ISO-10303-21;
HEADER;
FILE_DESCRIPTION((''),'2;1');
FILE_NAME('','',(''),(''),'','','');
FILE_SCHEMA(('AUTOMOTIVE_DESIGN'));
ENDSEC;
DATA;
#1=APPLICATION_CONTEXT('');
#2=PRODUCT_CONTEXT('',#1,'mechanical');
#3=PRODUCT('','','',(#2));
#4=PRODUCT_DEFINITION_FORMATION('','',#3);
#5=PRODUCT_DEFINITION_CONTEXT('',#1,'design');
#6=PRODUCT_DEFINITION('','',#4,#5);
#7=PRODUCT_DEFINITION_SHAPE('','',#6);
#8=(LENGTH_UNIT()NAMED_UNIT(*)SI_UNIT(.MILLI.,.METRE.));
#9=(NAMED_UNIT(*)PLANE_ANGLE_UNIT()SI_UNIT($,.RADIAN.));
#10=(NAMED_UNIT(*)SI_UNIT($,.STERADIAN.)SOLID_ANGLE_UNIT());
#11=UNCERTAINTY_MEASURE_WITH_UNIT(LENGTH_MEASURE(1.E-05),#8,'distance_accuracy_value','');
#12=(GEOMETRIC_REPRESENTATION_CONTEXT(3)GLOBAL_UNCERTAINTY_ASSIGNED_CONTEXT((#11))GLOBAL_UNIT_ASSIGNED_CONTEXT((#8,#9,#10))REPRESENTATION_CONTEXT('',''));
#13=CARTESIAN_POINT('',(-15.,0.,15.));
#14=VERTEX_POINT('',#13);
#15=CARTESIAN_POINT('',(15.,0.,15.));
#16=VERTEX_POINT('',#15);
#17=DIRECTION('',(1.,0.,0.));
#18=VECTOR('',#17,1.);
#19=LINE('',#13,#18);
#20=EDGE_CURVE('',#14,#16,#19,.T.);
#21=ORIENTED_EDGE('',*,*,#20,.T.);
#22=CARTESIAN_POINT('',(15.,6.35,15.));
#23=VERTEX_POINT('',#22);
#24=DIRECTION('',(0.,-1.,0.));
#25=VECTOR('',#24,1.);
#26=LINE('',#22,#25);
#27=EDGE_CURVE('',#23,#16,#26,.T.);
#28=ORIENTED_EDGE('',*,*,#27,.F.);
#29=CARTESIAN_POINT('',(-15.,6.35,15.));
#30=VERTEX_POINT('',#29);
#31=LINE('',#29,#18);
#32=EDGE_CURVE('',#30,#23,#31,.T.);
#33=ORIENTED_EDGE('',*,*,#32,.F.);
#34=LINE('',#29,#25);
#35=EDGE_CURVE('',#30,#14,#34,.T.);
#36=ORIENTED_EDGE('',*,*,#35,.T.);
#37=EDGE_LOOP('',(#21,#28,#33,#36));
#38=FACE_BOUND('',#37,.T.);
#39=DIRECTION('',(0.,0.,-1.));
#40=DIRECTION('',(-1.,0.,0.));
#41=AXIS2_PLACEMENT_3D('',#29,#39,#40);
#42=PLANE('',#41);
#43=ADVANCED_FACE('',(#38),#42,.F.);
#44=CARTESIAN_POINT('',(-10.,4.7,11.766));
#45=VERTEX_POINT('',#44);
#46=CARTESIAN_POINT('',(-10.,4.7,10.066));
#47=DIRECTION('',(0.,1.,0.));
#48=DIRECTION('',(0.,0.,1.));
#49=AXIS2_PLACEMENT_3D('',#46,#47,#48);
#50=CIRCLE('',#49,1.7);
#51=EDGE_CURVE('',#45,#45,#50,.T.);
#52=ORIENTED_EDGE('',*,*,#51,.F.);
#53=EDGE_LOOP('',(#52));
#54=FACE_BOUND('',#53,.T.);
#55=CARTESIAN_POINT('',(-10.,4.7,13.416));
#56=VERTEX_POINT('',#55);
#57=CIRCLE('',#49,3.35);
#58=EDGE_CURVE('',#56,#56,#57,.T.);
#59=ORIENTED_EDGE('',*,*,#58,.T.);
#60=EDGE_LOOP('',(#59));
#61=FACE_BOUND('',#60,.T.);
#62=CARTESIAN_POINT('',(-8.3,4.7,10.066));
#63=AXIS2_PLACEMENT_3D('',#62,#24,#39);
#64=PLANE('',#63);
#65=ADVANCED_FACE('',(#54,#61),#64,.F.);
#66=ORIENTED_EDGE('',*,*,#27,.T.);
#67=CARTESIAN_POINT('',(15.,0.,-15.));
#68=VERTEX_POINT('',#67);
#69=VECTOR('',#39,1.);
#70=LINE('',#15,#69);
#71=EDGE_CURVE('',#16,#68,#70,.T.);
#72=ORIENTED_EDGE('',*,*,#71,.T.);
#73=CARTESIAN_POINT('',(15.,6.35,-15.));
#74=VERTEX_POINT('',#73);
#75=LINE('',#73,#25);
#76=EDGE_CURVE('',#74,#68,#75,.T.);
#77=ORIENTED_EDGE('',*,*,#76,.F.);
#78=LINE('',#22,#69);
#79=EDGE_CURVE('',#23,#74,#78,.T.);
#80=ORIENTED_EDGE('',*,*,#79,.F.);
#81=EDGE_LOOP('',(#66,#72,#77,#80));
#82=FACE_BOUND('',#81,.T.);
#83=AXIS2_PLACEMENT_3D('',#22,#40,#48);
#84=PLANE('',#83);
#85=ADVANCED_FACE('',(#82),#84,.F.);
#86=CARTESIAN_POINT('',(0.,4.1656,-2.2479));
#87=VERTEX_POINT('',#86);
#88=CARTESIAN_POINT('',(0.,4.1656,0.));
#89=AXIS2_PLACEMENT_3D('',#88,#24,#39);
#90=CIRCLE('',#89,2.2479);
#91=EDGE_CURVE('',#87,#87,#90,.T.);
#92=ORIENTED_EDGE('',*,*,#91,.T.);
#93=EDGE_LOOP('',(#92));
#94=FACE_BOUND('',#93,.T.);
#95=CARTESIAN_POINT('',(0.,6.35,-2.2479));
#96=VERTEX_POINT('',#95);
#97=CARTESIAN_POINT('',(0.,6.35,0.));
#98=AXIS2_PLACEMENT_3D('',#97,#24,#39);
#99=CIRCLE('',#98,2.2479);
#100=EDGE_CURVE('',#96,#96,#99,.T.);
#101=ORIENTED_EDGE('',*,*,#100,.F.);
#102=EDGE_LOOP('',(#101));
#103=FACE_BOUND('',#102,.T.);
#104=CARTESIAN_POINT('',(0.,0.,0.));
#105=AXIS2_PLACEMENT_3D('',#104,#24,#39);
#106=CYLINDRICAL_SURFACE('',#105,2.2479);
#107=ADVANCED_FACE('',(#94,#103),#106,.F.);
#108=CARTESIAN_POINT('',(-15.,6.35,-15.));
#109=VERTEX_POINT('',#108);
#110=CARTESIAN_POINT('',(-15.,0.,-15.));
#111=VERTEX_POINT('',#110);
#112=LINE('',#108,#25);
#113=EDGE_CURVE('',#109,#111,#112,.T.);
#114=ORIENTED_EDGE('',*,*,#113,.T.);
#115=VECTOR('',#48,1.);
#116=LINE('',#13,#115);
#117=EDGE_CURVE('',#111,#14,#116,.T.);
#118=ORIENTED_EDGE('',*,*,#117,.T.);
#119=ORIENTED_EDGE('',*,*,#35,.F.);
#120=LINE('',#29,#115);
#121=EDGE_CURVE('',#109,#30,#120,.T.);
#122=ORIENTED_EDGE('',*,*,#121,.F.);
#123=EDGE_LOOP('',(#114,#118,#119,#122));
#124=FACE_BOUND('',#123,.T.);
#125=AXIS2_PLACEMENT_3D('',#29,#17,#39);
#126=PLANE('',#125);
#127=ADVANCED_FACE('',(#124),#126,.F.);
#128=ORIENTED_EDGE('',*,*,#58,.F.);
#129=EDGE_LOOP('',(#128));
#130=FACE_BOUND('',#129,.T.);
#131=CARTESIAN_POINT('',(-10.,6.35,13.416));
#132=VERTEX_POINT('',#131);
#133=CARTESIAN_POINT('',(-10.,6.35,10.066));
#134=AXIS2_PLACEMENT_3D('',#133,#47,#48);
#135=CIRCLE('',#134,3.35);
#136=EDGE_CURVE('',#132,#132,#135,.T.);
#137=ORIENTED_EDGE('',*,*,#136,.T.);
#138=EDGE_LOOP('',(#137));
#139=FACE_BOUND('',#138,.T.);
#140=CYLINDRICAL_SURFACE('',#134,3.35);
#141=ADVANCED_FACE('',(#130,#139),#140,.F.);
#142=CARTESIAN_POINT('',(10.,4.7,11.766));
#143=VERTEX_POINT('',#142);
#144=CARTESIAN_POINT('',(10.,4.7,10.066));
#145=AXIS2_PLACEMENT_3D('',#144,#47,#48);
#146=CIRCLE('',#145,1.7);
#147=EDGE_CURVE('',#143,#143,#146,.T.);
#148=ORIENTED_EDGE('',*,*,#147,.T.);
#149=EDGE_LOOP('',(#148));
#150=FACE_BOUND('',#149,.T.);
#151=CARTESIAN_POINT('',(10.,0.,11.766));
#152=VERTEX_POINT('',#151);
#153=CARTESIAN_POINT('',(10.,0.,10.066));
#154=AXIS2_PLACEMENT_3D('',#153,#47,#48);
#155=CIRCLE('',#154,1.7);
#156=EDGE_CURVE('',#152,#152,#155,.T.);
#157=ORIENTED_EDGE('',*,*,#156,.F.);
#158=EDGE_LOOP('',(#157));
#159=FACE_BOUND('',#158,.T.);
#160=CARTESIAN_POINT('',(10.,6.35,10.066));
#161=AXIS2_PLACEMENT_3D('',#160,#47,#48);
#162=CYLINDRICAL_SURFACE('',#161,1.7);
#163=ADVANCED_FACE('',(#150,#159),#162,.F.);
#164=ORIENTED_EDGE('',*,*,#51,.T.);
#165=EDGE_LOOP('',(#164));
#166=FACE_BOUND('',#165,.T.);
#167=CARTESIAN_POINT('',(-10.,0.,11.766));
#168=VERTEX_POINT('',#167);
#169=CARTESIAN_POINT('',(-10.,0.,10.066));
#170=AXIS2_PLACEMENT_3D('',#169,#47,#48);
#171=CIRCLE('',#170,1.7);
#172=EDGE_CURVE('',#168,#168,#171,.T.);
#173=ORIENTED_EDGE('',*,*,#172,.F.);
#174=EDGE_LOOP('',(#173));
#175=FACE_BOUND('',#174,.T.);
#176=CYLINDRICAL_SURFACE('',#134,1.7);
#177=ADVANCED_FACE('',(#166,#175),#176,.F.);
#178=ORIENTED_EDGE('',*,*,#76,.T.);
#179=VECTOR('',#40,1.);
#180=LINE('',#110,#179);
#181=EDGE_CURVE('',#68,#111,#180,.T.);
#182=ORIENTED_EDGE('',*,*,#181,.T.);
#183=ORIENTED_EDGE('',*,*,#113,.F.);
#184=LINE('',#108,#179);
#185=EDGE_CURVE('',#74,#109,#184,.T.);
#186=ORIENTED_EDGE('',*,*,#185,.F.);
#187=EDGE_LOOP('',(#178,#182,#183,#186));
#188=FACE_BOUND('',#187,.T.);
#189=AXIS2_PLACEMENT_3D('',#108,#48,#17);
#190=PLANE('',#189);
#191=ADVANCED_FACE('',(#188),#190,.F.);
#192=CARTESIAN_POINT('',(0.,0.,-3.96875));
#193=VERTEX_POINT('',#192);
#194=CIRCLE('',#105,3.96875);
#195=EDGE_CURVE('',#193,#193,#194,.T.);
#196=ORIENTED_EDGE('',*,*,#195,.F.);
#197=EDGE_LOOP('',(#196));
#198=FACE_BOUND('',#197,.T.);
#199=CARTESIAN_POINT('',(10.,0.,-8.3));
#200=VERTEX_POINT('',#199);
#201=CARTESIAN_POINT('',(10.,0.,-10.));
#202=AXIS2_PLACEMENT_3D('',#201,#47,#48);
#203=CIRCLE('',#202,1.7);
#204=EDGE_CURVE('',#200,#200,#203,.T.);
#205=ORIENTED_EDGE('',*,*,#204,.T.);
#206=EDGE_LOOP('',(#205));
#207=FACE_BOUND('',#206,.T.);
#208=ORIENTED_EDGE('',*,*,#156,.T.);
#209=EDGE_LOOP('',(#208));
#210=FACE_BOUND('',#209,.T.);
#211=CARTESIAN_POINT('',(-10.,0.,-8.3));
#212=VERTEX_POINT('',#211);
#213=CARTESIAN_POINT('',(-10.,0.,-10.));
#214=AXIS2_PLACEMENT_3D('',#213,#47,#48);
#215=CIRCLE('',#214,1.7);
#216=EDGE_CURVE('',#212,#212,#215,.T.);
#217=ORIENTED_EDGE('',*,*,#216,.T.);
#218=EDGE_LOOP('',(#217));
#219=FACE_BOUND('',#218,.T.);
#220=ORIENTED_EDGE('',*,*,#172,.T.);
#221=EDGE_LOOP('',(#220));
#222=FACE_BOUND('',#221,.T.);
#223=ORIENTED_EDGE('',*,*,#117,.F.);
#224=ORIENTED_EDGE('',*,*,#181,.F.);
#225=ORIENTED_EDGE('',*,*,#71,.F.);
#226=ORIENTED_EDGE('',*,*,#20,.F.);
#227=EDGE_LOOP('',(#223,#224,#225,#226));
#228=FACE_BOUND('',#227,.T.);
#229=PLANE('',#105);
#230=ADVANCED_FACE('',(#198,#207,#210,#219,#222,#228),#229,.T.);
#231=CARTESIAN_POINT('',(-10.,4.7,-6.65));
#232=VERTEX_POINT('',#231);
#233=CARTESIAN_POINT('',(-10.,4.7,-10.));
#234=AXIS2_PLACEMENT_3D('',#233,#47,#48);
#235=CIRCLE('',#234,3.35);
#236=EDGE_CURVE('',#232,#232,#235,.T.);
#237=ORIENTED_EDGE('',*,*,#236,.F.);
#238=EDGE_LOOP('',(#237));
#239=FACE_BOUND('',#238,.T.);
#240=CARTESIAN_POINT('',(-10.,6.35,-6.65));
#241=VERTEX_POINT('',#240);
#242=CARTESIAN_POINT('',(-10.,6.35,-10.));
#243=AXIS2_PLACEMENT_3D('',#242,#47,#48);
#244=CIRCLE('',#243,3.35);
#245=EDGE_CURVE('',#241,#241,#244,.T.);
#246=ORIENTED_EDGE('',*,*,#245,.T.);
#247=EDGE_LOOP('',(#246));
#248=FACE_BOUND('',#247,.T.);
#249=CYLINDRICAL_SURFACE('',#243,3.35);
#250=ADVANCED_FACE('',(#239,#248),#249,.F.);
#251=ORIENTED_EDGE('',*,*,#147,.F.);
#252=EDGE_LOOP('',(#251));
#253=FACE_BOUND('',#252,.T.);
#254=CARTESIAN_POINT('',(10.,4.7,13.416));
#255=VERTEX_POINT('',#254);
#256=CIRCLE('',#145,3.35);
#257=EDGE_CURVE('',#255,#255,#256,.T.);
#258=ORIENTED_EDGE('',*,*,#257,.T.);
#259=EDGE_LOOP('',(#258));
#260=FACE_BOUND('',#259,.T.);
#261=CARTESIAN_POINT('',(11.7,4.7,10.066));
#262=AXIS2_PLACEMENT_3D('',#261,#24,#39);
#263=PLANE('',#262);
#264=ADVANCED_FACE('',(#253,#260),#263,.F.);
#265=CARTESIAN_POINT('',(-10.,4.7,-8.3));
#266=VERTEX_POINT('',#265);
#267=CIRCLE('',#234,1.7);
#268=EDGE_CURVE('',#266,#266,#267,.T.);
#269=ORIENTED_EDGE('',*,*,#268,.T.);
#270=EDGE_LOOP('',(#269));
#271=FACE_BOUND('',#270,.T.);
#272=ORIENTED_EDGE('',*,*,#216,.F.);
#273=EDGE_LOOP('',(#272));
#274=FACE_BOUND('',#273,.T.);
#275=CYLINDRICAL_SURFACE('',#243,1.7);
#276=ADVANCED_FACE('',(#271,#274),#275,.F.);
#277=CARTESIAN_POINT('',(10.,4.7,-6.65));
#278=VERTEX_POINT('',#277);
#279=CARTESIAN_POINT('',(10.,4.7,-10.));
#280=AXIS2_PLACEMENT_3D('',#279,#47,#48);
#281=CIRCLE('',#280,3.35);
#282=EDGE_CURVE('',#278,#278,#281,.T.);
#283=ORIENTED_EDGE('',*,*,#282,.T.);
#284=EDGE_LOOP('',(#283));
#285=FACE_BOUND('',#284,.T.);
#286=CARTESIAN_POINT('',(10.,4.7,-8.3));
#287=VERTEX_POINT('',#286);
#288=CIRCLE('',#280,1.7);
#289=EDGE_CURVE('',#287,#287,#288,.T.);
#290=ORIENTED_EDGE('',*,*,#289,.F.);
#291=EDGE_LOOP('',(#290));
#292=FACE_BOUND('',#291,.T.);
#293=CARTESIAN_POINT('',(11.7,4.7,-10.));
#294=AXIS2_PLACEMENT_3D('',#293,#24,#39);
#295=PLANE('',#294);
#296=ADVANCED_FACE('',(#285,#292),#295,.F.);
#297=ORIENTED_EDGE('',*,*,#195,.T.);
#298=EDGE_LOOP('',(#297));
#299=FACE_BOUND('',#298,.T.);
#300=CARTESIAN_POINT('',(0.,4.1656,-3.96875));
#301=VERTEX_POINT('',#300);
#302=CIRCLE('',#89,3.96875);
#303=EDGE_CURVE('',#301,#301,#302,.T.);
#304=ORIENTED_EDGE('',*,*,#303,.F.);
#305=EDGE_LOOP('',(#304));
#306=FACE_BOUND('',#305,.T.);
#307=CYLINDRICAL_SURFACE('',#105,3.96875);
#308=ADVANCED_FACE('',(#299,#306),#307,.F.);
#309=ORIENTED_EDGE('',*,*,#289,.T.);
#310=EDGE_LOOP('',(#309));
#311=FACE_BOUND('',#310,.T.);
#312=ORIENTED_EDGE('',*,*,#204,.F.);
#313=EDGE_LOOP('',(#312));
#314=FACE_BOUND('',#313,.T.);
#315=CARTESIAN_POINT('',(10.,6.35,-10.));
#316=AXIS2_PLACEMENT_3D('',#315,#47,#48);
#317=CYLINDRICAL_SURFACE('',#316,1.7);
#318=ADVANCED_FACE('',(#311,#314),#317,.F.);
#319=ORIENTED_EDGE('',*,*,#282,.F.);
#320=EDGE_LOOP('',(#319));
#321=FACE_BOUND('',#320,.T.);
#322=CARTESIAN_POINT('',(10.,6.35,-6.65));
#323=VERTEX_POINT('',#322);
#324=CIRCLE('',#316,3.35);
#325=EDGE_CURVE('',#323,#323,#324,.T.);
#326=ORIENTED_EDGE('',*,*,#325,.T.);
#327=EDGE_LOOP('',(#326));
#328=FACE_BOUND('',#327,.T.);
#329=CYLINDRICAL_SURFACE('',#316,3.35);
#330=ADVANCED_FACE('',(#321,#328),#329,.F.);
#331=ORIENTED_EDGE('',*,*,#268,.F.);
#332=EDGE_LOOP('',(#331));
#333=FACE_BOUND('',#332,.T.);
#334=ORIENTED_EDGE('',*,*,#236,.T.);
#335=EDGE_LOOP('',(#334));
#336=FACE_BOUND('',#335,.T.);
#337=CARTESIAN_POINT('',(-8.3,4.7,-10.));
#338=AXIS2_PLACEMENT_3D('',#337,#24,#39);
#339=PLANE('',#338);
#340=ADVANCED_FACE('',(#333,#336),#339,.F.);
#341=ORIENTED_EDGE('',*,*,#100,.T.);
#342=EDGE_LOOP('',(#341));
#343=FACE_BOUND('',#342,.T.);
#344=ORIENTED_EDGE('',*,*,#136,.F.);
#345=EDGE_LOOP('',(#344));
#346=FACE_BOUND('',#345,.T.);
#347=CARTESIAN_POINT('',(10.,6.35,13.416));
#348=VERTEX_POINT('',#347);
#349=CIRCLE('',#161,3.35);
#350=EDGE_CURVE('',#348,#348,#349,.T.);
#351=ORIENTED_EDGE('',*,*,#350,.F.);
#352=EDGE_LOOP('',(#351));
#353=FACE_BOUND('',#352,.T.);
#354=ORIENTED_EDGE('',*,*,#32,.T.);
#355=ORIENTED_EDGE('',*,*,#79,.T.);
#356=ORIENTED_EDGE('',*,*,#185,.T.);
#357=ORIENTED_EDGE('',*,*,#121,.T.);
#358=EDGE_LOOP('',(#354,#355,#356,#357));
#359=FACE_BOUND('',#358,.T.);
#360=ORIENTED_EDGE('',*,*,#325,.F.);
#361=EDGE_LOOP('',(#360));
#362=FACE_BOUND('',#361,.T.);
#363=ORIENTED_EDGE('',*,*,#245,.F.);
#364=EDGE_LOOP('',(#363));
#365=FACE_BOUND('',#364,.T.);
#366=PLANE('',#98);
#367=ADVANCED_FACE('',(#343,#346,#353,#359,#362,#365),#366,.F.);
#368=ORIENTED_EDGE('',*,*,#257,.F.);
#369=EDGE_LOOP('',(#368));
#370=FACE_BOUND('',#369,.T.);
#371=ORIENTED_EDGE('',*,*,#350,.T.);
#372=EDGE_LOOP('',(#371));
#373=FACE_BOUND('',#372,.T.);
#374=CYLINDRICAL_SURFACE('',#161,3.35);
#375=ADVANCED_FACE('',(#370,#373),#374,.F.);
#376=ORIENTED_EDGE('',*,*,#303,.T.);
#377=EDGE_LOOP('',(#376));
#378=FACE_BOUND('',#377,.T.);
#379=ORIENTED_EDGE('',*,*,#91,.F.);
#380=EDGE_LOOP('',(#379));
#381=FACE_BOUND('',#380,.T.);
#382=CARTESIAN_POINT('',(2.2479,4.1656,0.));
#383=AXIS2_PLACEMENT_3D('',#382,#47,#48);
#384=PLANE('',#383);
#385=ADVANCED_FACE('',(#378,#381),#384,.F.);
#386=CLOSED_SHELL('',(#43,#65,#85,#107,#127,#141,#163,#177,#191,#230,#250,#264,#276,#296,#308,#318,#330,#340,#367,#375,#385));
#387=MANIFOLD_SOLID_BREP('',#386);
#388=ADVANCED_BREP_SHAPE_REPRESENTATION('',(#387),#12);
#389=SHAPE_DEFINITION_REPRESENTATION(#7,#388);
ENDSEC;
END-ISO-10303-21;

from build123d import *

# Parameters (mm, degrees)
SKETCH1_W                                           = 30
SKETCH1_H                                           = 30
MOUNT_BLOCK_DEPTH                                   = 6.35
LINEAR_STAGE_CBORE_FOR_M3_SBHCS1_D                  = 3.4
LINEAR_STAGE_CBORE_FOR_M3_SBHCS1_CBORE_D            = 6.7
LINEAR_STAGE_CBORE_FOR_M3_SBHCS1_CBORE_DEPTH        = 1.65
OPTICAL_POST_CBORE_FOR_8_SOCKET_HEAD_CA_D           = 4.4958
OPTICAL_POST_CBORE_FOR_8_SOCKET_HEAD_CA_CBORE_D     = 7.9375
OPTICAL_POST_CBORE_FOR_8_SOCKET_HEAD_CA_CBORE_DEPTH = 4.1656


with BuildPart() as part:
    # Sketch1 → Mount Block (new body)
    with BuildSketch(Plane(origin=(0, 0, 0), x_dir=(1, 0, 0), z_dir=(0, 1, 0))):
        Rectangle(SKETCH1_W, SKETCH1_H)
    extrude(amount=MOUNT_BLOCK_DEPTH)

    # Linear Stage CBORE for M3 SBHCS1 (through all)
    with Locations(Plane(origin=(0, 6.35, 0), x_dir=(1, 0, 0), z_dir=(0, 1, 0))):
        with Locations((-10, 10), (10, 10), (10, -10.066), (-10, -10.066)):
            CounterBoreHole(LINEAR_STAGE_CBORE_FOR_M3_SBHCS1_D / 2, LINEAR_STAGE_CBORE_FOR_M3_SBHCS1_CBORE_D / 2, LINEAR_STAGE_CBORE_FOR_M3_SBHCS1_CBORE_DEPTH)

    # Optical Post CBORE for #8 Socket Head Cap Screw (through all)
    with Locations(Plane(origin=(0, 0, 0), x_dir=(-1, 0, 0), z_dir=(0, -1, 0))):
        with Locations((0, 0)):
            CounterBoreHole(OPTICAL_POST_CBORE_FOR_8_SOCKET_HEAD_CA_D / 2, OPTICAL_POST_CBORE_FOR_8_SOCKET_HEAD_CA_CBORE_D / 2, OPTICAL_POST_CBORE_FOR_8_SOCKET_HEAD_CA_CBORE_DEPTH)


solid = part.part
